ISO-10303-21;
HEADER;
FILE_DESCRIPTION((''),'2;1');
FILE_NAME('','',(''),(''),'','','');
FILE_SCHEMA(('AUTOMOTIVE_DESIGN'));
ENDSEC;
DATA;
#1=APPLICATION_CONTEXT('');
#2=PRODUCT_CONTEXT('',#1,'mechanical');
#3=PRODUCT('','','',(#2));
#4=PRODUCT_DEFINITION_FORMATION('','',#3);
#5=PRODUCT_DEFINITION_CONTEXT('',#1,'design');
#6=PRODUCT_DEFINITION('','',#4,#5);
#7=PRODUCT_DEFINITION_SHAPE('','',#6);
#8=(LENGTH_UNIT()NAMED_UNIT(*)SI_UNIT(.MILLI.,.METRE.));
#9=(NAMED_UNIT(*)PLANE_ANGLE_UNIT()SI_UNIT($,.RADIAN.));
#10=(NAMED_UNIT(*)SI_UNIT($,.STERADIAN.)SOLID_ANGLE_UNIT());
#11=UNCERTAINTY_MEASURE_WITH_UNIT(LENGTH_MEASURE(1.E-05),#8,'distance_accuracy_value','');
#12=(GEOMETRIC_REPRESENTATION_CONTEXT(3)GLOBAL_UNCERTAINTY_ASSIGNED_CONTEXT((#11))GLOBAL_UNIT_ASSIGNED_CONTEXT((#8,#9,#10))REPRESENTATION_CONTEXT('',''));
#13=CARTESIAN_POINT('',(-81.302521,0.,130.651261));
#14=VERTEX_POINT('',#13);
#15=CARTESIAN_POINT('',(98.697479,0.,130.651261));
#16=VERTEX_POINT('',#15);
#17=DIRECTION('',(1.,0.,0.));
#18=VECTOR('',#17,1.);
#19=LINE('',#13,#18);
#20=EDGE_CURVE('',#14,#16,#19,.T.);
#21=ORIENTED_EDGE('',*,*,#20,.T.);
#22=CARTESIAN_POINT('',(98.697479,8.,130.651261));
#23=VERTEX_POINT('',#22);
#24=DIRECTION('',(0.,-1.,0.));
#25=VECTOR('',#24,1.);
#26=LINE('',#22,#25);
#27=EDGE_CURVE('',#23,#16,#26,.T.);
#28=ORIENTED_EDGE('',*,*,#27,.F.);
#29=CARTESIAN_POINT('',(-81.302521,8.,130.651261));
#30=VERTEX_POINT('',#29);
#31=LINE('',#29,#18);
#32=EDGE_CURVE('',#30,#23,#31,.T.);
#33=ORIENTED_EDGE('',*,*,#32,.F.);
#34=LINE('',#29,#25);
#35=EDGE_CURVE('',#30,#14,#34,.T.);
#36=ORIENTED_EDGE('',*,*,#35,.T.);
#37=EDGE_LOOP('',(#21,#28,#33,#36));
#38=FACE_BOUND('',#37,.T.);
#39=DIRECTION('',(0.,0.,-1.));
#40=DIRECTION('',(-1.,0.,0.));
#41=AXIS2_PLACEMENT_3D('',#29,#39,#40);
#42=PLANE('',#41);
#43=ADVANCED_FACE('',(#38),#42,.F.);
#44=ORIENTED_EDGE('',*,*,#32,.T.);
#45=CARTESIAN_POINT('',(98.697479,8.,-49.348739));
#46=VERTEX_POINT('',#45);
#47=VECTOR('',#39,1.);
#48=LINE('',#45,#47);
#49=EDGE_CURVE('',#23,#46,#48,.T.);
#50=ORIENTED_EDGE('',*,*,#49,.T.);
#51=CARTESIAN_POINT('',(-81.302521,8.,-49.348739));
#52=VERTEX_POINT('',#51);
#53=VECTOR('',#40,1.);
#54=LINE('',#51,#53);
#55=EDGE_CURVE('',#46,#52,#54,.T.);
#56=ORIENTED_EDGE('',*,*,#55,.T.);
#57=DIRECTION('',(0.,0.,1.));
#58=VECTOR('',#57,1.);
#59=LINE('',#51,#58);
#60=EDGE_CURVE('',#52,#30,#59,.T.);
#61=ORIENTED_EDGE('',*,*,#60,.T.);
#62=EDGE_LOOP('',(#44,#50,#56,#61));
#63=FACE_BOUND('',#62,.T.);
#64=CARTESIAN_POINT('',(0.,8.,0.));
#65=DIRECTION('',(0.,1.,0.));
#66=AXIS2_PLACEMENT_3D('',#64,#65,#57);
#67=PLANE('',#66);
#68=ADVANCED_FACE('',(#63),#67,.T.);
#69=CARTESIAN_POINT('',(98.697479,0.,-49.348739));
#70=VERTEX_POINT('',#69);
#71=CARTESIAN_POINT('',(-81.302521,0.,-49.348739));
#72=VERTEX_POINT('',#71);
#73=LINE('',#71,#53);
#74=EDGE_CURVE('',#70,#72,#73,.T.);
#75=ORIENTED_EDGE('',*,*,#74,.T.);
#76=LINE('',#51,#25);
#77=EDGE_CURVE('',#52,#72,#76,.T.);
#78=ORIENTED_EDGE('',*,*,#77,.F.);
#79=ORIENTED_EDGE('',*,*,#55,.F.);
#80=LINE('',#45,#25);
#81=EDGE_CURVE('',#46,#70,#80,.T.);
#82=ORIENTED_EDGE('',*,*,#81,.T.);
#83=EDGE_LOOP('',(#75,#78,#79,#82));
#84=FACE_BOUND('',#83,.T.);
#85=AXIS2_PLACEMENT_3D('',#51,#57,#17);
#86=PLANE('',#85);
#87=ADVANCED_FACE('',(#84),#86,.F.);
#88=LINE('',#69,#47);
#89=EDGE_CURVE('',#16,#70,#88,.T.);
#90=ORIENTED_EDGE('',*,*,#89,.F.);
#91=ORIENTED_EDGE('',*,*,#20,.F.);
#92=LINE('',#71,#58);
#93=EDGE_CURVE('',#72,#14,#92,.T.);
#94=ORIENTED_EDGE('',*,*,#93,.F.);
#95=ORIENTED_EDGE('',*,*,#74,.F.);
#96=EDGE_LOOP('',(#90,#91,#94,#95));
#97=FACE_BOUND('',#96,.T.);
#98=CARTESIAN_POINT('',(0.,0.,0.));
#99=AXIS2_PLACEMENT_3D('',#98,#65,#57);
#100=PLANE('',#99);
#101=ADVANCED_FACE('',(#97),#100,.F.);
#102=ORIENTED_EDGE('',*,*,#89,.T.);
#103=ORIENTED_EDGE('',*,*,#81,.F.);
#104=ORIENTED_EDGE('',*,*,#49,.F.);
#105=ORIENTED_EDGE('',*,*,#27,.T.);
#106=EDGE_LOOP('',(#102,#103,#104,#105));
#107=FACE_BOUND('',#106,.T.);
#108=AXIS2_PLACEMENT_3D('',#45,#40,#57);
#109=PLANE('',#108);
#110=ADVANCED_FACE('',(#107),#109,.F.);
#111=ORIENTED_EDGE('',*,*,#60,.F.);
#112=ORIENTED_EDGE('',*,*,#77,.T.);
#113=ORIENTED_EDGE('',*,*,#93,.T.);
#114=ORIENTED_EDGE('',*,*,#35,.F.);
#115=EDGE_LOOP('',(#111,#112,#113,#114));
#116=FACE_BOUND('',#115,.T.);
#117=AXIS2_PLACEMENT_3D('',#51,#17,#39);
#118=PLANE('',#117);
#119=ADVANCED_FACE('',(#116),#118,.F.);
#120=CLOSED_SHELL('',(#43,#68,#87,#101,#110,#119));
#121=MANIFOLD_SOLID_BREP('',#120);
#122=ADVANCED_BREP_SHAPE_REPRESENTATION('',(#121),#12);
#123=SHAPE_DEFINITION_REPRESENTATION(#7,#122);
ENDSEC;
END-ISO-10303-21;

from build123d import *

# Parameters (mm, degrees)
SKETCH_1_W      = 180
SKETCH_1_H      = 180
EXTRUDE_1_DEPTH = 8


with BuildPart() as part:
    # 草图1 → 凸台-拉伸1 (new body)
    with BuildSketch(Plane(origin=(0, 0, 0), x_dir=(1, 0, 0), z_dir=(0, 1, 0))):
        with Locations((8.697478992, -40.651260504)):
            Rectangle(SKETCH_1_W, SKETCH_1_H)
    extrude(amount=EXTRUDE_1_DEPTH)


solid = part.part
